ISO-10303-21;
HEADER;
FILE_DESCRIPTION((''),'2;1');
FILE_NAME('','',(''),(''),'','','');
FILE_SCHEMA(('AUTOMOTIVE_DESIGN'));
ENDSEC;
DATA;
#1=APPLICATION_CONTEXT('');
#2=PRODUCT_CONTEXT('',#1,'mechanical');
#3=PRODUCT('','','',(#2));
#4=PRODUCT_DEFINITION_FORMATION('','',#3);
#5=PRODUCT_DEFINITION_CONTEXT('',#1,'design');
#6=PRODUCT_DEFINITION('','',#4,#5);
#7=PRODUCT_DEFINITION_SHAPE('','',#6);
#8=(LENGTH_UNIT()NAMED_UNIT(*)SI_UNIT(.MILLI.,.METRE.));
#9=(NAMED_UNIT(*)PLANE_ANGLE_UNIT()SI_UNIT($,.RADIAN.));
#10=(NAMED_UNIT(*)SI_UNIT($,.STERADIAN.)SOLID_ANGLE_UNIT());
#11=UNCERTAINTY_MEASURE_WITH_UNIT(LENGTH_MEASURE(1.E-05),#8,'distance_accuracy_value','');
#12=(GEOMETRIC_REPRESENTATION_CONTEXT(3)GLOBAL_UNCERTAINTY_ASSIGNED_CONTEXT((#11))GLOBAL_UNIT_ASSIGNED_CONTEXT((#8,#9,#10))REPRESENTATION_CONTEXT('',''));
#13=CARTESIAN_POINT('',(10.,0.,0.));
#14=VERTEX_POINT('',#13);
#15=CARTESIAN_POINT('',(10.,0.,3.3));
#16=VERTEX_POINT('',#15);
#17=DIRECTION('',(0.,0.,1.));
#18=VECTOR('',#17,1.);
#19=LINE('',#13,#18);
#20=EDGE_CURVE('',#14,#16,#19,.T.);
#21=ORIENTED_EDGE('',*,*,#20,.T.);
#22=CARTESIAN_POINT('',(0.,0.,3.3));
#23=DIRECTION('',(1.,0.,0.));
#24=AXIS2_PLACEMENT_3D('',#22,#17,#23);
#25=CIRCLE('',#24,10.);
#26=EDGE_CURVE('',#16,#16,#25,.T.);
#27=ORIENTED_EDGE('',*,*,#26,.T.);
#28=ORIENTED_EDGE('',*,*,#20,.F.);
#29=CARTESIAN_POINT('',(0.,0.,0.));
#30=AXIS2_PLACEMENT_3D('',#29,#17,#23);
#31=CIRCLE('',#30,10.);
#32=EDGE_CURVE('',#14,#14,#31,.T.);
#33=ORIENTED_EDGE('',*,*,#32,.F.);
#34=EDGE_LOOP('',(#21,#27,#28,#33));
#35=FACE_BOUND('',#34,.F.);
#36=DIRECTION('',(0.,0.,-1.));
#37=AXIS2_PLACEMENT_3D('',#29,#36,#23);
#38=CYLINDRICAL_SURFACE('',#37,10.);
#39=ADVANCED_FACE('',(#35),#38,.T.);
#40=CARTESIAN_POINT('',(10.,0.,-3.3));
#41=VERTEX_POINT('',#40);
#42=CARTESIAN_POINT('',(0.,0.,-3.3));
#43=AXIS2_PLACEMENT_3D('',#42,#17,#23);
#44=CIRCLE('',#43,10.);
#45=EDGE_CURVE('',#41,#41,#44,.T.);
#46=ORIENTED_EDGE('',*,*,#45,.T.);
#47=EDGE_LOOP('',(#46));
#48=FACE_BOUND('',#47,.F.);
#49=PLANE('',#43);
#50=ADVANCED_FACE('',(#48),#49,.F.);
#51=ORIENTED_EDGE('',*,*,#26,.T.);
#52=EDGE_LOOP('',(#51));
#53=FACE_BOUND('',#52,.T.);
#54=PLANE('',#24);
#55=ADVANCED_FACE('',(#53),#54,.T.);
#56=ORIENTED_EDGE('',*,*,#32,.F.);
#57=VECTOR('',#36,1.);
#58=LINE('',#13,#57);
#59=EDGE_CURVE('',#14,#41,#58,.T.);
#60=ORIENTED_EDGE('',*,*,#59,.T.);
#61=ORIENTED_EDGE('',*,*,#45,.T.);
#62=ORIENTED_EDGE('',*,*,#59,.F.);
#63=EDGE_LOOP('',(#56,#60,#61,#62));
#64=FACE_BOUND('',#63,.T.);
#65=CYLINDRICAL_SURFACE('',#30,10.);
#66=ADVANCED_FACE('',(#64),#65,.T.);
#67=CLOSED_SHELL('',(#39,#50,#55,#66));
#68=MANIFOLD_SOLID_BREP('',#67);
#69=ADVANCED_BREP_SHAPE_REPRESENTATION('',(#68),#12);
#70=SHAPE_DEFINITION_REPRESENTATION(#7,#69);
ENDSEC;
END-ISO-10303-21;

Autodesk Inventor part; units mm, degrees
ref_plane "YZ Plane" through (0, 0, 0) normal (1, 0, 0) x (0, 1, 0)
ref_plane "XZ Plane" through (0, 0, 0) normal (0, 1, 0) x (-1, 0, 0)
ref_plane "XY Plane" through (0, 0, 0) normal (0, 0, 1) x (1, 0, 0)
sketch "Main Sketch" plane through (0, 0, 0) normal (0, 0, 1) x (1, 0, 0)
  circle A0 centre (0, 0) radius 10
  dimension "d0" = 20
extrude "Pulley" add sketch "Main Sketch" along normal mid plane 6.6
equation "\"d0\" = da_D"
equation "\"d1\" = da_B"
equation "\"da_D\" = 20"
equation "\"da_B\" = 6.6"
properties part number "Flat Pulley1" material "Steel"
